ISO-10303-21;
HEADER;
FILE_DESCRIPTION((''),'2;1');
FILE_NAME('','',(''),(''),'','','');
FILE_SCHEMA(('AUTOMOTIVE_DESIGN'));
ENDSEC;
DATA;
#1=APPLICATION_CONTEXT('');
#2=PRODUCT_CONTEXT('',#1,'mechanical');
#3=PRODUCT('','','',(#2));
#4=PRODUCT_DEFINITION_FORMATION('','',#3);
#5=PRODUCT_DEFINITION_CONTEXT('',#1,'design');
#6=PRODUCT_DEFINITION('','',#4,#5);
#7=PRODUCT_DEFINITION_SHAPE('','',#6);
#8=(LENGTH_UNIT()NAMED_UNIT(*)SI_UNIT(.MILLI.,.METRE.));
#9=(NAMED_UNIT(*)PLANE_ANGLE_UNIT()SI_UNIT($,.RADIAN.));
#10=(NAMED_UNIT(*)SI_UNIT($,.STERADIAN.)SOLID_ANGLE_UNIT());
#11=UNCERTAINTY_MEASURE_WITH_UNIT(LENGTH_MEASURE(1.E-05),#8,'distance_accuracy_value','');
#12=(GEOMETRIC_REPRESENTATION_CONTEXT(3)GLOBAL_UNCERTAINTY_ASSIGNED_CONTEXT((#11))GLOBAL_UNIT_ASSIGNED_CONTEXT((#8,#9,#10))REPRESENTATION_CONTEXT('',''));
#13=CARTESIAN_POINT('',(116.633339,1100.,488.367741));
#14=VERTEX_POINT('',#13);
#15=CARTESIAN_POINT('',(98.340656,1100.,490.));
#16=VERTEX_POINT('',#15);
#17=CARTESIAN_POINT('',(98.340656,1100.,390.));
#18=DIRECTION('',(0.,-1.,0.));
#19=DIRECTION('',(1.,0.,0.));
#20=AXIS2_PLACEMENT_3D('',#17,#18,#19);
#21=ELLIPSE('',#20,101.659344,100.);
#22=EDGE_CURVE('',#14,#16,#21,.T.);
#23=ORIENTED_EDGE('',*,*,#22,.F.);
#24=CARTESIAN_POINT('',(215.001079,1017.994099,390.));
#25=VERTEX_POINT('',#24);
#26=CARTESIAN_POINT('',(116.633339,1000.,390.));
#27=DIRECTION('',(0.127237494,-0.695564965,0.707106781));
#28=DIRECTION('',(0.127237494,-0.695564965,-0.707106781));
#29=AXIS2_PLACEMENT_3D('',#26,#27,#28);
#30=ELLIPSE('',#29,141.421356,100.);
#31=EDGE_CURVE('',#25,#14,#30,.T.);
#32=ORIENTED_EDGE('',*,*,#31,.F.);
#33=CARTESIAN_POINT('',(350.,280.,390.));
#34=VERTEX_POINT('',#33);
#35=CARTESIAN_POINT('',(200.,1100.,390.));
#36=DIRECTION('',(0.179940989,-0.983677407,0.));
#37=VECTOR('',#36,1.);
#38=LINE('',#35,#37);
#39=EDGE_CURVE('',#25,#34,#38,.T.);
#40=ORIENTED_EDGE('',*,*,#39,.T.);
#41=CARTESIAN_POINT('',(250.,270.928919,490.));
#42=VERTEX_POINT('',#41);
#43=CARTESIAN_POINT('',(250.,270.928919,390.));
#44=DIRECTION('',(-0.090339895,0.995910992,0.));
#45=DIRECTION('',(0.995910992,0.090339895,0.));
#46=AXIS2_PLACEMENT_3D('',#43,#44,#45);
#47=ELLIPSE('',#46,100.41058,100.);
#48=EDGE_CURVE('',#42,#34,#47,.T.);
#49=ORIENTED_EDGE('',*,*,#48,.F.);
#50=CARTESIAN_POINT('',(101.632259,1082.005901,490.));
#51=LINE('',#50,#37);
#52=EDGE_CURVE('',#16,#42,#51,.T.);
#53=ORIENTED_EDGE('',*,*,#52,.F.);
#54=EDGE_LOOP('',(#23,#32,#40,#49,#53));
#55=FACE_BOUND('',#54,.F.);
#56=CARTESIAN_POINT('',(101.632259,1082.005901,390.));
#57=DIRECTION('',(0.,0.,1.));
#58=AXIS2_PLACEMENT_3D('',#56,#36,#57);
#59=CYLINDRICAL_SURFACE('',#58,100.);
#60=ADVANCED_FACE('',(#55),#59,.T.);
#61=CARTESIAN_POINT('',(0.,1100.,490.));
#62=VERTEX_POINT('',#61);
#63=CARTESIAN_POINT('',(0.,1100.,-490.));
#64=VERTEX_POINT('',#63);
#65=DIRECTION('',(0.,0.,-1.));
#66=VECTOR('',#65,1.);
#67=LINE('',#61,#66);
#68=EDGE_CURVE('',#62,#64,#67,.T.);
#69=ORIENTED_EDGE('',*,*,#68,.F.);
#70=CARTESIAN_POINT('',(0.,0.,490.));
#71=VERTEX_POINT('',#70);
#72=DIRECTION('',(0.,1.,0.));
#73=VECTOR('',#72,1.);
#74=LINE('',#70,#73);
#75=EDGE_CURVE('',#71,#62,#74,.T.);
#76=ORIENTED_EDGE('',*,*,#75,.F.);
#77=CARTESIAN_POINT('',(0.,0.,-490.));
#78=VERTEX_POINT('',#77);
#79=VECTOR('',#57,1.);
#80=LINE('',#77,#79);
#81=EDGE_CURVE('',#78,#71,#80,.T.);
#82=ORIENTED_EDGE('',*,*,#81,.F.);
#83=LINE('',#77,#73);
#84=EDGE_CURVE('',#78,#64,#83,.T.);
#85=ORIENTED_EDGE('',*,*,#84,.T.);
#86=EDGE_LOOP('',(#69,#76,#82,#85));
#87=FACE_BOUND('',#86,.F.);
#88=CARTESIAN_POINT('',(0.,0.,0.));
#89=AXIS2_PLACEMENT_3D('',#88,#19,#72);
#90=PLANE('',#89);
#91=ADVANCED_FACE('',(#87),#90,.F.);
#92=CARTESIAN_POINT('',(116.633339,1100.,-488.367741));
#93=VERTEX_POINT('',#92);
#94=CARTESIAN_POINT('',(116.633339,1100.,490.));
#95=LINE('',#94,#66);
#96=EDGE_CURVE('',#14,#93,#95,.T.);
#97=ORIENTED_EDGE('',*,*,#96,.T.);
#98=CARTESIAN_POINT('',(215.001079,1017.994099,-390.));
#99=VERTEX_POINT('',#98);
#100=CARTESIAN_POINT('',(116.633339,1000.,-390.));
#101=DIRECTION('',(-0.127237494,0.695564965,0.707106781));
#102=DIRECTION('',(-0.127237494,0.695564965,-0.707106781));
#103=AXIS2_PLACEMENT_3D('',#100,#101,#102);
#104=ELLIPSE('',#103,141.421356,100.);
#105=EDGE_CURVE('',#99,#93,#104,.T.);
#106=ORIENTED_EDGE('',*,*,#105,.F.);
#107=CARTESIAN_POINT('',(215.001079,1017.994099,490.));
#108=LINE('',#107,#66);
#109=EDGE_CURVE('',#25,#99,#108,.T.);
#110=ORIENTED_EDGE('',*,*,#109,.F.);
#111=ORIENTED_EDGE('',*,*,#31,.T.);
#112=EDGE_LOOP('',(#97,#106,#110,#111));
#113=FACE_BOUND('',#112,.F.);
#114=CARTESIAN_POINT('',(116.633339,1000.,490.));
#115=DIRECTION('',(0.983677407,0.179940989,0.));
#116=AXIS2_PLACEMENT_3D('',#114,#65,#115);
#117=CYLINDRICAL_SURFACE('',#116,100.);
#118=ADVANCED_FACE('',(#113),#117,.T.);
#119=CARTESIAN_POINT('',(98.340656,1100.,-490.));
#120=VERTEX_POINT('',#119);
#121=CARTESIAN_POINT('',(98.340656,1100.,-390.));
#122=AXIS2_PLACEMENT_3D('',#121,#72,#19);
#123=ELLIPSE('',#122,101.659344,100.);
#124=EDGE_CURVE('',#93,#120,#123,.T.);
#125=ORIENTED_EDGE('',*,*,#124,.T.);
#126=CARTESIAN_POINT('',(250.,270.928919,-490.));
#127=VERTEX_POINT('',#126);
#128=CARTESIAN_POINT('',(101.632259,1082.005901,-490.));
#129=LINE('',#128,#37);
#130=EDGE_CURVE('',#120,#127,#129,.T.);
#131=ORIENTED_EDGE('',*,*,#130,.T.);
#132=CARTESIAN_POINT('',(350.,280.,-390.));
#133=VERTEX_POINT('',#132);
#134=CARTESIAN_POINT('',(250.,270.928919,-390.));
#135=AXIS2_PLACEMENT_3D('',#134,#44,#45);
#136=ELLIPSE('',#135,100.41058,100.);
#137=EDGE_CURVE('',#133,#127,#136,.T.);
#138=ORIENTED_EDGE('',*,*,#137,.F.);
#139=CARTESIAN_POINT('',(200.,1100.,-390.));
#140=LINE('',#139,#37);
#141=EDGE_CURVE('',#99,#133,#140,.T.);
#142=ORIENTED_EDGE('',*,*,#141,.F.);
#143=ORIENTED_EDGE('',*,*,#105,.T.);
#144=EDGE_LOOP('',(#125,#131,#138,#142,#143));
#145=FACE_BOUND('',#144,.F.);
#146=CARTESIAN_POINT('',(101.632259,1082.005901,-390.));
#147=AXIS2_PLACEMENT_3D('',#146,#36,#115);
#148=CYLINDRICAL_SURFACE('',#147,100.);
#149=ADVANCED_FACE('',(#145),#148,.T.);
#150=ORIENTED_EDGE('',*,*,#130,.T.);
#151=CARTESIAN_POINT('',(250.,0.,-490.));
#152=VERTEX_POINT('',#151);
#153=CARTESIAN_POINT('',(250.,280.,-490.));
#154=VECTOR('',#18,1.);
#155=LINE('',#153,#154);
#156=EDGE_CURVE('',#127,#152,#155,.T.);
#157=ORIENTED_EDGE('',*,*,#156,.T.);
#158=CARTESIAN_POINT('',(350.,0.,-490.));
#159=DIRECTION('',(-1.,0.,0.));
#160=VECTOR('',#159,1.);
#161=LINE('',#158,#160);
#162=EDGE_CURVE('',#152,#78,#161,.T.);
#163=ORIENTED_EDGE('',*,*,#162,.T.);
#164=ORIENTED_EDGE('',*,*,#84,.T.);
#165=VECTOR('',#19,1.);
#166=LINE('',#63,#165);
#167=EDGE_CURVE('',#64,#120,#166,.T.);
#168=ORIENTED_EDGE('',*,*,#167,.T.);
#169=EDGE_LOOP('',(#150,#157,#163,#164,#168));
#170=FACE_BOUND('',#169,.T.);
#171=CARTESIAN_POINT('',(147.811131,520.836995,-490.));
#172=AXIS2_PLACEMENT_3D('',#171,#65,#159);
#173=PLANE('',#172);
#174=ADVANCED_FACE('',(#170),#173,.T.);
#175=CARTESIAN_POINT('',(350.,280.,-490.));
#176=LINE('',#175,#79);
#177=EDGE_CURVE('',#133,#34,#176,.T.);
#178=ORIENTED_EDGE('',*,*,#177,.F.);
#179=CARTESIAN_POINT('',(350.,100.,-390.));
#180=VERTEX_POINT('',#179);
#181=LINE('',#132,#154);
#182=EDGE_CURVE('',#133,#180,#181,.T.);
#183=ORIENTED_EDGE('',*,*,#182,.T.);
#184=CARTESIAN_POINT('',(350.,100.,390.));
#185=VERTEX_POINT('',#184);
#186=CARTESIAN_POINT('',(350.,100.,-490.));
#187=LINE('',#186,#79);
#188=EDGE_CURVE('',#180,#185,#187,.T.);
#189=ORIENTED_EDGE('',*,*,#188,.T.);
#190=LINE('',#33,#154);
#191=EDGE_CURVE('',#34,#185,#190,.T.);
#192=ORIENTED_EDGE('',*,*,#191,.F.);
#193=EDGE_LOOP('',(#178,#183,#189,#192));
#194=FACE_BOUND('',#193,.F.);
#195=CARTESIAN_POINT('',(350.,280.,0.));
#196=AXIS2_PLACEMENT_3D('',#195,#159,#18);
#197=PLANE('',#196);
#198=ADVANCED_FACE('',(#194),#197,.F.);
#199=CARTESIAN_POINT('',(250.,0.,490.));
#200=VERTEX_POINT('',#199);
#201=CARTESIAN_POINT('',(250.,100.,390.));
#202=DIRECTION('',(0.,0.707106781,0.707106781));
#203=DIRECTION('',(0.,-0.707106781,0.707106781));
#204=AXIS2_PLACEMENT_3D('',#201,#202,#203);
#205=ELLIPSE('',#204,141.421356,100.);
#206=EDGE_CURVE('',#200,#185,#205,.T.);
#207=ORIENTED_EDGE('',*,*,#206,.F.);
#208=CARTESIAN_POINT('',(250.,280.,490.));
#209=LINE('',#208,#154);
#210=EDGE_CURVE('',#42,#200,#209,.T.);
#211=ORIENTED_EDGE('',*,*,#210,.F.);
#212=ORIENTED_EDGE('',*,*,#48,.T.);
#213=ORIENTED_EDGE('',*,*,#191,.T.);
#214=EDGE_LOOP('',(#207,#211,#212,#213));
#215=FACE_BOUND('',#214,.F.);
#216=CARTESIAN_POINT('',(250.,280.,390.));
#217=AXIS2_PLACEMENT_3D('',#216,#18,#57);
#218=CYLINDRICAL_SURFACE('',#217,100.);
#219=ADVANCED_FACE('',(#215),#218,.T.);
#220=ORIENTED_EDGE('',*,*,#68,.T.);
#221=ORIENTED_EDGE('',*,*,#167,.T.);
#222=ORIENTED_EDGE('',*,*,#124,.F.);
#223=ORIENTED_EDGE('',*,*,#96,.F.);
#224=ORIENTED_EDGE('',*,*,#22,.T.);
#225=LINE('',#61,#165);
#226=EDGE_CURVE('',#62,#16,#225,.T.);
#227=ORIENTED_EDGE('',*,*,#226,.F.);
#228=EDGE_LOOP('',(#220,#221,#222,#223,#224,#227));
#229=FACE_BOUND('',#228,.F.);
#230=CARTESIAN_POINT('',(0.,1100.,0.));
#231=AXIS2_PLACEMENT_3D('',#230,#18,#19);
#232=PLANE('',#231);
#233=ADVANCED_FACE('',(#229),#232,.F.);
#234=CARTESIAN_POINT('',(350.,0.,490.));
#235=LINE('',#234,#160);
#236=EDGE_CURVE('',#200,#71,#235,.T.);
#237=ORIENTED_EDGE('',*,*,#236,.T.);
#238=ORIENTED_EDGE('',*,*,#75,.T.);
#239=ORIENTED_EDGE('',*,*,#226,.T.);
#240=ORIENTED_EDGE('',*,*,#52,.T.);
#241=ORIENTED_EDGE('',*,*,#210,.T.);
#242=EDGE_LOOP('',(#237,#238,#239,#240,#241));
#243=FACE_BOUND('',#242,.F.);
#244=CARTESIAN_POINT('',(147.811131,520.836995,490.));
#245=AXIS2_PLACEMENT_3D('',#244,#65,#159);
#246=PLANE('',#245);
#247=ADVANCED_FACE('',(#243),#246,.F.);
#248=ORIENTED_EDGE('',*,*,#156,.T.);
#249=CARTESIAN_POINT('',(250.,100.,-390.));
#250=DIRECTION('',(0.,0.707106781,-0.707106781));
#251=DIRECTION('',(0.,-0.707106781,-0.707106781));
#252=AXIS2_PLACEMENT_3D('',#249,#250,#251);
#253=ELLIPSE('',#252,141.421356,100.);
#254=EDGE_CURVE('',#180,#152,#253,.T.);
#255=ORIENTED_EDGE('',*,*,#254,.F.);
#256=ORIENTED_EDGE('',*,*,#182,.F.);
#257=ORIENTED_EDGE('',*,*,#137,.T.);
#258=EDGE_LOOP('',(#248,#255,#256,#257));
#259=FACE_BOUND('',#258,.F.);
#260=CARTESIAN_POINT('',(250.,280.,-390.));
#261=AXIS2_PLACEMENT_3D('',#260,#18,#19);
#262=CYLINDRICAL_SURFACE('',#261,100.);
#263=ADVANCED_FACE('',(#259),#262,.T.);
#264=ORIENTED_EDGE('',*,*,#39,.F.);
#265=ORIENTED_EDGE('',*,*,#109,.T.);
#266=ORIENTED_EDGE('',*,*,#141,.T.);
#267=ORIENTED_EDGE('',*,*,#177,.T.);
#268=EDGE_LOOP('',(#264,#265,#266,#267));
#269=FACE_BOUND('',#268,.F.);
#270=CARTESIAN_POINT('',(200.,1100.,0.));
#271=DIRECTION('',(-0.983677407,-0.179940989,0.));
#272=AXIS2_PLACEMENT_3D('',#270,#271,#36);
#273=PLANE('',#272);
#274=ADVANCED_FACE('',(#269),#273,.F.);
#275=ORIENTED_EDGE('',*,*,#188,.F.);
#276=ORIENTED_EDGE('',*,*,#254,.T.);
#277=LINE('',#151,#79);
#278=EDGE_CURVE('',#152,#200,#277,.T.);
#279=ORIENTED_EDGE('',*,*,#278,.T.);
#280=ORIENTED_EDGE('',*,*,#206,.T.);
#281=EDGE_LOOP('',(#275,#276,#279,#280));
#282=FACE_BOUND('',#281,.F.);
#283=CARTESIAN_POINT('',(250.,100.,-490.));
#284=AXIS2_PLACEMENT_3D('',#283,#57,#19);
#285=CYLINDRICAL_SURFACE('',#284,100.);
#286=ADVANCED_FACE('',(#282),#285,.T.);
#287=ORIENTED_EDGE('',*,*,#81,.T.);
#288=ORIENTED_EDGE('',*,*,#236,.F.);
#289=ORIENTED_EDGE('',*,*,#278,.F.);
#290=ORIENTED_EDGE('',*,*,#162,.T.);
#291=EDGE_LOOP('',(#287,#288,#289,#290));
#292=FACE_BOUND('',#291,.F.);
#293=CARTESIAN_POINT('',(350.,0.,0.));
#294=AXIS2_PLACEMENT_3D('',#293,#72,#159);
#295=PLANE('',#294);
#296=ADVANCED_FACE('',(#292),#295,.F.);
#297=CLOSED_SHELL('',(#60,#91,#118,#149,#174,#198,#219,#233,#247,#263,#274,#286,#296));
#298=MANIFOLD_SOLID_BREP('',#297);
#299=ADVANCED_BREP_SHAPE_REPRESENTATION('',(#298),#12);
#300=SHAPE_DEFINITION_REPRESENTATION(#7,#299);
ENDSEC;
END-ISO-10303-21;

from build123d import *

# Parameters (mm, degrees)
BOSS_EXTRUDE1_DEPTH = 490
FILLET3_R           = 100


with BuildPart() as part:
    # Sketch1 → Boss-Extrude1 (new body, symmetric)
    with BuildSketch(Plane.XY):
        Polygon((0, 0), (0, 1100), (200, 1100), (350, 280), (350, 0), align=None)
    extrude(amount=BOSS_EXTRUDE1_DEPTH, both=True)

    # Fillet3
    fillet3_edges = [part.edges().sort_by_distance(p)[0] for p in [
        (275, 690, 490),
        (275, 690, -490),
        (350, 140, -490),
        (350, 140, 490),
        (200, 1100, 0),
        (350, 0, 0),
    ]]
    fillet(fillet3_edges, radius=FILLET3_R)


solid = part.part
